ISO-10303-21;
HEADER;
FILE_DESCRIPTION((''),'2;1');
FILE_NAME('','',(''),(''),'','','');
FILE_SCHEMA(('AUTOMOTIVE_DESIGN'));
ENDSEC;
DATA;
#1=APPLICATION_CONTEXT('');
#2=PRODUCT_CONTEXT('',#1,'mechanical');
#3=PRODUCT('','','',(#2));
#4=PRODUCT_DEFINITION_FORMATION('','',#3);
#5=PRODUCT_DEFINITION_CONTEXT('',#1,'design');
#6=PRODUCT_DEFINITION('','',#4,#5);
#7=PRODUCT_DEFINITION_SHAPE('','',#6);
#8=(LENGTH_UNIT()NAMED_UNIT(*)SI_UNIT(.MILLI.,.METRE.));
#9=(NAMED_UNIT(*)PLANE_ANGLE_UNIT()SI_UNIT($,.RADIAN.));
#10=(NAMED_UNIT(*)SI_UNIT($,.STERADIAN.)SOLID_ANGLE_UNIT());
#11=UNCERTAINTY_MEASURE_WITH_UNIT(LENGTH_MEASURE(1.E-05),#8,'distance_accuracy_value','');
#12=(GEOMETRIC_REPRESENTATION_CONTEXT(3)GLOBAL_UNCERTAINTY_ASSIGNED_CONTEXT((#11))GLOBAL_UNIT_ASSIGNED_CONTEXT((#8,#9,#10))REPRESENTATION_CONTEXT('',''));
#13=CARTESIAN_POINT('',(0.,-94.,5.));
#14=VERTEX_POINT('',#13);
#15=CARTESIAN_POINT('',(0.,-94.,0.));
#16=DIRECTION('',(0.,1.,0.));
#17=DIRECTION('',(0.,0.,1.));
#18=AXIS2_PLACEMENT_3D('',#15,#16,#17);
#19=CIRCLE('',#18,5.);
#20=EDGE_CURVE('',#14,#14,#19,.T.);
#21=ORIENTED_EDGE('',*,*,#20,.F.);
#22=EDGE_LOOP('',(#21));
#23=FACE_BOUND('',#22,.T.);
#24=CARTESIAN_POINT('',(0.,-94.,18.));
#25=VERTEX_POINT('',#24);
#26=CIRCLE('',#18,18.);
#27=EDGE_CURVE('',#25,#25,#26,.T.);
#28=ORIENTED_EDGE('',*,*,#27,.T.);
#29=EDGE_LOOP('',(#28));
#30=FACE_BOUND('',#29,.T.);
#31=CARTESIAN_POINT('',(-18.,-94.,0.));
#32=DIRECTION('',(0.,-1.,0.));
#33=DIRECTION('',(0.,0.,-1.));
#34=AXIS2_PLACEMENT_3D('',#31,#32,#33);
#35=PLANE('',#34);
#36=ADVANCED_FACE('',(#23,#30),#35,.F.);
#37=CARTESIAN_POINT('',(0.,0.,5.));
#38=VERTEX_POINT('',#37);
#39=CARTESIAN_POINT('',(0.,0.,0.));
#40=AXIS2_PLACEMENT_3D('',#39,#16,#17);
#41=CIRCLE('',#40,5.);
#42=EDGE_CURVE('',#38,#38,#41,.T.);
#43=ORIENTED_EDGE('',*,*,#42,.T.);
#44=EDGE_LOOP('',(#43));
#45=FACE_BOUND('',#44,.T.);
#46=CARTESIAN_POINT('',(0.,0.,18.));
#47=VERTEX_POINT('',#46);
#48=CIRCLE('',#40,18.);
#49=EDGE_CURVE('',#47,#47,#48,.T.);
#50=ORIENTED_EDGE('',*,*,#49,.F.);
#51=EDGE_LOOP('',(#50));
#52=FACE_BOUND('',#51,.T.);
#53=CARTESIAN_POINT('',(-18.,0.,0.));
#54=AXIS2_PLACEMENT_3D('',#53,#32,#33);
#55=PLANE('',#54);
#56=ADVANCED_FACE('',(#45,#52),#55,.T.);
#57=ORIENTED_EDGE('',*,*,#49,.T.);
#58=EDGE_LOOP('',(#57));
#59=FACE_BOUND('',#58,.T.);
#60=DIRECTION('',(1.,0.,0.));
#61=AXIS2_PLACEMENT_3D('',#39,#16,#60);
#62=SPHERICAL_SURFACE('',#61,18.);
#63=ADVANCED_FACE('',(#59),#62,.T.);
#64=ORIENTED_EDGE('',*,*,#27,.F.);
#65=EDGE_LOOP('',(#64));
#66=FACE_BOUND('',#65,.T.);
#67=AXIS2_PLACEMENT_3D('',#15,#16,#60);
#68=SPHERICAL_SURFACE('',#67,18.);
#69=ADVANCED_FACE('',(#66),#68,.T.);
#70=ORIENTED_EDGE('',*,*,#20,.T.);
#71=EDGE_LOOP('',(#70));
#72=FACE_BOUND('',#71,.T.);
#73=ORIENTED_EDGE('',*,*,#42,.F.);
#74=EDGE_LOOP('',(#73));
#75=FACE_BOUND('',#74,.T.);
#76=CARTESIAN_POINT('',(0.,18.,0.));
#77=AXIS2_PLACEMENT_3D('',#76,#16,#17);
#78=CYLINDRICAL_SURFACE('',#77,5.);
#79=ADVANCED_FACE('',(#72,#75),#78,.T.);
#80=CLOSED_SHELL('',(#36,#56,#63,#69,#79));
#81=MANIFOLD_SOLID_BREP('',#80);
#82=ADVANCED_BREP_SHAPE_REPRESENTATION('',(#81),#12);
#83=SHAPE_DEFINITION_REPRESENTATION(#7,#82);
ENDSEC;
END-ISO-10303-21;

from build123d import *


with BuildPart() as part:
    # Sketch1 → Revolve1 (revolve)
    with BuildSketch(Plane.XY, mode=Mode.PRIVATE) as revolve1_sk:
        with BuildLine():
            Line((-18, 0), (-5, 0))
            Line((-5, 0), (-5, -94))
            Line((-5, -94), (-18, -94))
            ThreePointArc((-18, -94), (-12.727922061, -106.727922061), (0, -112))
            Line((0, -112), (0, 18))
            ThreePointArc((0, 18), (-12.727922061, 12.727922061), (-18, 0))
        make_face()
    revolve(revolve1_sk.sketch.rotate(Axis((0, 18, 0), (0, -1, 0)), 180), axis=Axis((0, 18, 0), (0, -1, 0)))


solid = part.part
